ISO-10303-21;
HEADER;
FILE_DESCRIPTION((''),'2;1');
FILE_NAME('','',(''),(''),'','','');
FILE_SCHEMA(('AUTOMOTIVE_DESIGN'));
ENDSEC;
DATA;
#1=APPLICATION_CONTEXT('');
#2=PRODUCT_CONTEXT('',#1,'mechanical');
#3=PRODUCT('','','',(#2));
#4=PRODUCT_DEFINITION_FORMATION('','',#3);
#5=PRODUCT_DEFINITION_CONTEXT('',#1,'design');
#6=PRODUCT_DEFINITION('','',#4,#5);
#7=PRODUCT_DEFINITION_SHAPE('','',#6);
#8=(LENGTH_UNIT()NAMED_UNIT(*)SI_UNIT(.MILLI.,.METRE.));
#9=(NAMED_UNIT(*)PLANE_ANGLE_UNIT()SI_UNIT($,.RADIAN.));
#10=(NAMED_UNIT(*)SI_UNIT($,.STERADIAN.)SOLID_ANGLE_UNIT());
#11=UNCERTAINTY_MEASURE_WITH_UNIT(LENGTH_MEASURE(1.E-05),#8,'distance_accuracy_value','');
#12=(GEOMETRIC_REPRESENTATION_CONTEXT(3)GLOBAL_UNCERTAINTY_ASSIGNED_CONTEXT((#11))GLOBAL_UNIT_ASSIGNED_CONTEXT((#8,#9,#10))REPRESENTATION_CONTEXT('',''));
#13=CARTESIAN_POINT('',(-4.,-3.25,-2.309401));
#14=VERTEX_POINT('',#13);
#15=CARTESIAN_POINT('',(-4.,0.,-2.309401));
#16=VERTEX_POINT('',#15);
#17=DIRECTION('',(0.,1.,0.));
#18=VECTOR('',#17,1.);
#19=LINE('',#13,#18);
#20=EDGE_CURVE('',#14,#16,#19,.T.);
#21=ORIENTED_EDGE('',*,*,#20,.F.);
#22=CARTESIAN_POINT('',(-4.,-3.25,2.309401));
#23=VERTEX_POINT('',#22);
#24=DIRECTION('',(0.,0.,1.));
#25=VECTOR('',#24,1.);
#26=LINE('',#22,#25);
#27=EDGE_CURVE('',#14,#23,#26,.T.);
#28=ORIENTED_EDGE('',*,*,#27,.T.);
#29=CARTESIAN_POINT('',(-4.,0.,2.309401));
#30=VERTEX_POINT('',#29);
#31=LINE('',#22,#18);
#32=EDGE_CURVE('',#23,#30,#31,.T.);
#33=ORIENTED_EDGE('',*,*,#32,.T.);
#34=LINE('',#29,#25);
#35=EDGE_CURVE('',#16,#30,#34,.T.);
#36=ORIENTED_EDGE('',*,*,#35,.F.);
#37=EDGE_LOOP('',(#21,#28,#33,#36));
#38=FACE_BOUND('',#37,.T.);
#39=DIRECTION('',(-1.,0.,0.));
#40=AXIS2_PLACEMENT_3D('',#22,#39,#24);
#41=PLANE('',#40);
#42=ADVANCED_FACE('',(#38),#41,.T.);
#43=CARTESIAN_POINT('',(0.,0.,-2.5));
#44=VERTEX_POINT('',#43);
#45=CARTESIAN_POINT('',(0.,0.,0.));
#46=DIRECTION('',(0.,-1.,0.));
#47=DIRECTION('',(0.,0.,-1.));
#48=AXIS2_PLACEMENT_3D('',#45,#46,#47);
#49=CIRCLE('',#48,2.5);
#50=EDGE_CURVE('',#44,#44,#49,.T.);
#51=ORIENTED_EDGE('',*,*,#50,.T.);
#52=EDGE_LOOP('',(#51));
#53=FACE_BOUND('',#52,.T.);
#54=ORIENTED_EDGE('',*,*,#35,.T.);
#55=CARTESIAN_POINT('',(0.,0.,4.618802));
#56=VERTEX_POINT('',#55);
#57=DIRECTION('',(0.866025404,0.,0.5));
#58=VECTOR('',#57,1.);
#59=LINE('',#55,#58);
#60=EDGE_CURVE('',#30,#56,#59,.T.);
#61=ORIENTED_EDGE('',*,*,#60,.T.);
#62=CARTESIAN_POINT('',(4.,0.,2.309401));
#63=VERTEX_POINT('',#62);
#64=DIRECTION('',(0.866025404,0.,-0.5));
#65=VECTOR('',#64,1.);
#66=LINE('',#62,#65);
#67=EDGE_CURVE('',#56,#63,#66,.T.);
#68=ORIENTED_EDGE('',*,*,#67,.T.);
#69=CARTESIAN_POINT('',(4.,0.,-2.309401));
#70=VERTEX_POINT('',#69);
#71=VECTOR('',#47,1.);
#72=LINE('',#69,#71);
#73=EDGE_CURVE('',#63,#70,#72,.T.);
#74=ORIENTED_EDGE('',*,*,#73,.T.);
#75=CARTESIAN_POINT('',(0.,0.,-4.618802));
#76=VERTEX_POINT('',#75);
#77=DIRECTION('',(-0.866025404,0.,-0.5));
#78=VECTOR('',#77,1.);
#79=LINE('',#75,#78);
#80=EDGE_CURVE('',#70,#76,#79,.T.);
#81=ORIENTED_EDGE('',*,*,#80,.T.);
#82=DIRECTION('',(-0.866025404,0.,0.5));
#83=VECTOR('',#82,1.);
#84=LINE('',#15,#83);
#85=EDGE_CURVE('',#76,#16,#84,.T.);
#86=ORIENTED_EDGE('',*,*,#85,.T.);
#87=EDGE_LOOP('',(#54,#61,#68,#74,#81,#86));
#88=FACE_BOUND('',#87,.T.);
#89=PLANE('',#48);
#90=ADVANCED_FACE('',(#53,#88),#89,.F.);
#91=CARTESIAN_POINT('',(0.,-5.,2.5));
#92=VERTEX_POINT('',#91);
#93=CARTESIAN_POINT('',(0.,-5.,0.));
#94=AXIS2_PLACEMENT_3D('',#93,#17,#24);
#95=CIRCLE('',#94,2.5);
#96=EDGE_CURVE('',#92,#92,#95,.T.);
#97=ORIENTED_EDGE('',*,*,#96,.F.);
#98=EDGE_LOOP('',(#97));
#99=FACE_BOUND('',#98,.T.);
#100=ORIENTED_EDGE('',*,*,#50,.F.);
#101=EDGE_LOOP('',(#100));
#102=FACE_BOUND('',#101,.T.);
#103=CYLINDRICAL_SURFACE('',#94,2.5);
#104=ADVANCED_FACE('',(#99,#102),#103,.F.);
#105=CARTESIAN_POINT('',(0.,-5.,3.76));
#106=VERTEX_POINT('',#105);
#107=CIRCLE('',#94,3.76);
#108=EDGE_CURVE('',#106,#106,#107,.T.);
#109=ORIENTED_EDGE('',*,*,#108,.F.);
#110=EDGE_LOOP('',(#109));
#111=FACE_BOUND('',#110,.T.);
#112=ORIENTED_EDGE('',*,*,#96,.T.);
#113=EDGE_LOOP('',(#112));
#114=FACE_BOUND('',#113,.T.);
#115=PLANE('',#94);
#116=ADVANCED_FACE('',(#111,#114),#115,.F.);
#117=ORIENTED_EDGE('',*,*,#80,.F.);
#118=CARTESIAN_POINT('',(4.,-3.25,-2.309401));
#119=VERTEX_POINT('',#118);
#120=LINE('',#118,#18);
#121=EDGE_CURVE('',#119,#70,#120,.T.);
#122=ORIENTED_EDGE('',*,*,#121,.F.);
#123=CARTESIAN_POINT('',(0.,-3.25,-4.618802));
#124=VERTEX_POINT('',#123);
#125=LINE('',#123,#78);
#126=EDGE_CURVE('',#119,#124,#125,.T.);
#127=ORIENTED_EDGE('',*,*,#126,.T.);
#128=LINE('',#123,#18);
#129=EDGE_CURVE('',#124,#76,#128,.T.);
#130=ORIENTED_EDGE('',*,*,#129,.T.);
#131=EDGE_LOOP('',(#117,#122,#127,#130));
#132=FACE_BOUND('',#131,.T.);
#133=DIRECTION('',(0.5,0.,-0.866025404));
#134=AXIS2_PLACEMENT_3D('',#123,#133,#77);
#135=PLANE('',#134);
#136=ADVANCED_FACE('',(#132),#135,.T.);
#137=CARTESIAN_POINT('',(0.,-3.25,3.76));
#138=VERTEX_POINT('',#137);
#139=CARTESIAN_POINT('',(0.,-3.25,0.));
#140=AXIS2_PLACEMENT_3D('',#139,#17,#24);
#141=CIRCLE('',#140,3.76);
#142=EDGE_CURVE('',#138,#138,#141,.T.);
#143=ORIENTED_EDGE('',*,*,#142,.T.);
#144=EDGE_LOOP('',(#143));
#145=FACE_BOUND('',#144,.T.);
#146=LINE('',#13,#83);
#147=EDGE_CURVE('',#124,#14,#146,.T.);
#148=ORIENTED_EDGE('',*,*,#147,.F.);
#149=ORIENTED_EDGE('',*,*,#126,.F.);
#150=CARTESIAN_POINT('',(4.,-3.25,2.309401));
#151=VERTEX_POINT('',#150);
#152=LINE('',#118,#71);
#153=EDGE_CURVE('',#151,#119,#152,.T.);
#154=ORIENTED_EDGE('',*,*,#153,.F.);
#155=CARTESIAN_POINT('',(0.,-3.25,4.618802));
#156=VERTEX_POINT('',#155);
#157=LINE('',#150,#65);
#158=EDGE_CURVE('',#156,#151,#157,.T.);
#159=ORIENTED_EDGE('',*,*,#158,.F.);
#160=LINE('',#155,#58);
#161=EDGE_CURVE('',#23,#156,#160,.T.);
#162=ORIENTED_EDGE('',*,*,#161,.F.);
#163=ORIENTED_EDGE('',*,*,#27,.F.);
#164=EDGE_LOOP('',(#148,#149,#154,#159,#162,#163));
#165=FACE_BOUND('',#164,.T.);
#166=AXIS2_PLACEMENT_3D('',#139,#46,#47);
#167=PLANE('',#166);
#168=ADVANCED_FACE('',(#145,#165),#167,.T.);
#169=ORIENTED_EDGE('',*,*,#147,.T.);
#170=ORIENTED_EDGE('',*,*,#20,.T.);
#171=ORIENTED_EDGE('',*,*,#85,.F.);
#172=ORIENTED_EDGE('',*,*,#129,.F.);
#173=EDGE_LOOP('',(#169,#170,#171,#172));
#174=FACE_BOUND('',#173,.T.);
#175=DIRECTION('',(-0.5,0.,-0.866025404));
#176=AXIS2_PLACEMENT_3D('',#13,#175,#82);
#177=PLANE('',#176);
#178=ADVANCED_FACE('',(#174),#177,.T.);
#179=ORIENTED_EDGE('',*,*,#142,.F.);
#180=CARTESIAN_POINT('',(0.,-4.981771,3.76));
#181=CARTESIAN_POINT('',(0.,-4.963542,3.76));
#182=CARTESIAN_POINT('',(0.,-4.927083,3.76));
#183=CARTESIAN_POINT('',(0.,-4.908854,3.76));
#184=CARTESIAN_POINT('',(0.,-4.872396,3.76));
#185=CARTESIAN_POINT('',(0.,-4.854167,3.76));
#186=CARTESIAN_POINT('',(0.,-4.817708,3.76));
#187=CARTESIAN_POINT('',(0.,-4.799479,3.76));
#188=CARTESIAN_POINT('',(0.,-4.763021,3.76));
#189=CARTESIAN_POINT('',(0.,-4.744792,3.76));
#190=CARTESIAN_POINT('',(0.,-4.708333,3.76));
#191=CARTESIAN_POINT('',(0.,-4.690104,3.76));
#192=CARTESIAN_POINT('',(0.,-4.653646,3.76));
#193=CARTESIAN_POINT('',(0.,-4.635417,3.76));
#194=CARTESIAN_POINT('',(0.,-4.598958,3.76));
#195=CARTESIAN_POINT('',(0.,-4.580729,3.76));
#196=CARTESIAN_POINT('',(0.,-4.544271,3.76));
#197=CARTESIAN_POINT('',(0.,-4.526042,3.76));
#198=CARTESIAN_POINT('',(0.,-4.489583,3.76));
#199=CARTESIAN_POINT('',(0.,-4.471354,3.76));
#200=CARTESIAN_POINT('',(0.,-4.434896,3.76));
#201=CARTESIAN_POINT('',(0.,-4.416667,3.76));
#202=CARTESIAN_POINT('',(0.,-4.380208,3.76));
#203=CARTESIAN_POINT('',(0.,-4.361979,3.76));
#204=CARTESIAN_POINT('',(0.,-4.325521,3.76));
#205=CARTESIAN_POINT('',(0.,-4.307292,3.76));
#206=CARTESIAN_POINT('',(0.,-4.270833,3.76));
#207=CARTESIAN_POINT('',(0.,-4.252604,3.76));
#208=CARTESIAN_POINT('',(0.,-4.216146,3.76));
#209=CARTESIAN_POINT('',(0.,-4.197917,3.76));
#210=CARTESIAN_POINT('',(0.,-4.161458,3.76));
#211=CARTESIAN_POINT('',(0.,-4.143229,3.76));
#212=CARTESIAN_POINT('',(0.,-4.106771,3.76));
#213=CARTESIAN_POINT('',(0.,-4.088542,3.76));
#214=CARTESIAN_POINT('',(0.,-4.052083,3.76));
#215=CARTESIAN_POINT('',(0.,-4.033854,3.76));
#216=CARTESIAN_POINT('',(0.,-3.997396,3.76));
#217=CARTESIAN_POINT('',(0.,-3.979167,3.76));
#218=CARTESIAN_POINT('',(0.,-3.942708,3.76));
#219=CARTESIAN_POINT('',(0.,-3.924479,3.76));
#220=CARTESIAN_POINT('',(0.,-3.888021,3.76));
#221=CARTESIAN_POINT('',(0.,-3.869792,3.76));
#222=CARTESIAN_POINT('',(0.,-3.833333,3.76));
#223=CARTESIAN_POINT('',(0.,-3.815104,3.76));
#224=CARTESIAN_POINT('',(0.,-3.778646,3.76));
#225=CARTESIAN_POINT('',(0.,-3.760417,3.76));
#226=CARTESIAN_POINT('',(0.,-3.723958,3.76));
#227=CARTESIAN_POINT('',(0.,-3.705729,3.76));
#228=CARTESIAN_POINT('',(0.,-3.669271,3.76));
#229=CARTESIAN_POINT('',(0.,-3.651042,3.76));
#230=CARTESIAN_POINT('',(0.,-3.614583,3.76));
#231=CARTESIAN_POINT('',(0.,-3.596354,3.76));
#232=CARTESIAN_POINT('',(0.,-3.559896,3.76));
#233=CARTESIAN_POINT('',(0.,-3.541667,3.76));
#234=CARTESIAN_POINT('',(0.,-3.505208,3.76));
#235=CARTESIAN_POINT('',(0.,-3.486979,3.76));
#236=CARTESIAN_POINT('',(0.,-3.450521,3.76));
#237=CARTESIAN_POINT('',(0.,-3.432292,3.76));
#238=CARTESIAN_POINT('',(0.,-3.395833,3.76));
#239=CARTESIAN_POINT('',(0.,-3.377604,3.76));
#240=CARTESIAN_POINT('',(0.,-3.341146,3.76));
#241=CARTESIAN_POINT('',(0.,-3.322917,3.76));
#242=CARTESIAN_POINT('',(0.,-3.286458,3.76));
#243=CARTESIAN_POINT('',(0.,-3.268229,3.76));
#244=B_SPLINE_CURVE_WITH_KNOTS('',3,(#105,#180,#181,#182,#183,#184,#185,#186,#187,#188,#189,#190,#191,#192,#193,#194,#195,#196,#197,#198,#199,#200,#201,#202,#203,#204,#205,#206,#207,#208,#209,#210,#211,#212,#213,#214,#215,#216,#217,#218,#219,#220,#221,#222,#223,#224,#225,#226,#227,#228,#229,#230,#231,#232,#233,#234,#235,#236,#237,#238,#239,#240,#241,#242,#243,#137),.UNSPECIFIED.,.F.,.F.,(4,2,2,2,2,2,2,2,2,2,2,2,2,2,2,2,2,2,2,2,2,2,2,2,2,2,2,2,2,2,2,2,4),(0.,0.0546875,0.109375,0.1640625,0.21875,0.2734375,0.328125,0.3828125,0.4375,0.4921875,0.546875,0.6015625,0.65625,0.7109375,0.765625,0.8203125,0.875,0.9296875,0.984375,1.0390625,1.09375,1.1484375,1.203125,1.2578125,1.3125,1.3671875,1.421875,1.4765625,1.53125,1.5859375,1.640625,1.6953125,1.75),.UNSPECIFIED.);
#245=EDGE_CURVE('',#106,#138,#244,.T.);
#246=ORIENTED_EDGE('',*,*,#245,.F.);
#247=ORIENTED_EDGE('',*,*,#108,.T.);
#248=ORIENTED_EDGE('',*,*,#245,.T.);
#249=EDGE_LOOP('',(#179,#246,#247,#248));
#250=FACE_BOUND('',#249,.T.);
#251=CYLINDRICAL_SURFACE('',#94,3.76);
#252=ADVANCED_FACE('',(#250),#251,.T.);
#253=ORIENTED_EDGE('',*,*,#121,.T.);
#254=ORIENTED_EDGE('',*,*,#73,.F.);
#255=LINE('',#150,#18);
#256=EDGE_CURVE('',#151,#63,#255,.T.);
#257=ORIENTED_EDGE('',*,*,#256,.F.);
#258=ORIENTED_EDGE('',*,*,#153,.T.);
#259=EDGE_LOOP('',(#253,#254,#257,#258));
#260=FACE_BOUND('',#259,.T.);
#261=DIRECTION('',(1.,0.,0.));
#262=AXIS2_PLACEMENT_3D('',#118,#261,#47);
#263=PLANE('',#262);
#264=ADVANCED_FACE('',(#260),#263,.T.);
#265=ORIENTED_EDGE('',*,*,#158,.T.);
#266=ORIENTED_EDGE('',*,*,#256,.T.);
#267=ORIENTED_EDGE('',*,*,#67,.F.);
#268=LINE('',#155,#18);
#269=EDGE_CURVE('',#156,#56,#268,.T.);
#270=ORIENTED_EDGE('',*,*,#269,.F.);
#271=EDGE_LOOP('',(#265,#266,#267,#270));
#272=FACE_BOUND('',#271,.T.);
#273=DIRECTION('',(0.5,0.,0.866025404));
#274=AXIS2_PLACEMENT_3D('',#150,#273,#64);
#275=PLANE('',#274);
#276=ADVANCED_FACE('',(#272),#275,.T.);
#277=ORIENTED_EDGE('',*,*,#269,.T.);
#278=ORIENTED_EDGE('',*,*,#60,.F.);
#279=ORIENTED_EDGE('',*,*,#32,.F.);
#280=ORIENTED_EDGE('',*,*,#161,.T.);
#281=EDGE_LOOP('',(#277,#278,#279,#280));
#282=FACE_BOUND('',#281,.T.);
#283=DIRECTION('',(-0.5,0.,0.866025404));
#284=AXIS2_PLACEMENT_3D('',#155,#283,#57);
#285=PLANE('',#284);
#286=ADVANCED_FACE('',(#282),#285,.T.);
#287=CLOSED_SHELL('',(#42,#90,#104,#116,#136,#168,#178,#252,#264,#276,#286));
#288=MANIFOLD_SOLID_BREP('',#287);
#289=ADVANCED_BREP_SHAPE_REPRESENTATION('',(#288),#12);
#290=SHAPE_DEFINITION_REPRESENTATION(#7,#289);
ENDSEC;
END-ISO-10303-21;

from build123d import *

# Parameters (mm, degrees)
BOSS_EXTRUDE1_DEPTH     = 3.25
SKETCH2_R               = 3.76
BOSS_EXTRUDE2_DEPTH     = 1.75
CUT_EXTRUDE1_DEPTH      = 8.895146188
CUT_EXTRUDE1_DEPTH_BACK = 8.895146188
SKETCH3_R               = 2.5


with BuildPart() as part:
    # Sketch1 → Boss-Extrude1 (new body)
    with BuildSketch(Plane(origin=(0, 0, 0), x_dir=(1, 0, 0), z_dir=(0, 1, 0))):
        Polygon((4, -2.309401077), (0, -4.618802154), (-4, -2.309401077), (-4, 2.309401077), (0, 4.618802154), (4, 2.309401077), align=None)
    extrude(amount=-BOSS_EXTRUDE1_DEPTH)

    # Sketch2 → Boss-Extrude2 (add)
    with BuildSketch(Plane(origin=(0, -3.25, 0), x_dir=(1, 0, 0), z_dir=(0, 1, 0))):
        with Locations(Location((0, 0, 0), (0, 0, 270))):
            Circle(SKETCH2_R)
    extrude(amount=-BOSS_EXTRUDE2_DEPTH)

    # Sketch3 → Cut-Extrude1 (cut, two sides: drawn at the far end of the back side and taken through both)
    with BuildSketch(Plane(origin=(0, 0, 0), x_dir=(1, 0, 0), z_dir=(0, 1, 0)).offset(-CUT_EXTRUDE1_DEPTH_BACK)):
        with Locations(Location((0, 0, 0), (0, 0, 270))):
            Circle(SKETCH3_R)
    extrude(amount=CUT_EXTRUDE1_DEPTH + CUT_EXTRUDE1_DEPTH_BACK, mode=Mode.SUBTRACT)


solid = part.part
